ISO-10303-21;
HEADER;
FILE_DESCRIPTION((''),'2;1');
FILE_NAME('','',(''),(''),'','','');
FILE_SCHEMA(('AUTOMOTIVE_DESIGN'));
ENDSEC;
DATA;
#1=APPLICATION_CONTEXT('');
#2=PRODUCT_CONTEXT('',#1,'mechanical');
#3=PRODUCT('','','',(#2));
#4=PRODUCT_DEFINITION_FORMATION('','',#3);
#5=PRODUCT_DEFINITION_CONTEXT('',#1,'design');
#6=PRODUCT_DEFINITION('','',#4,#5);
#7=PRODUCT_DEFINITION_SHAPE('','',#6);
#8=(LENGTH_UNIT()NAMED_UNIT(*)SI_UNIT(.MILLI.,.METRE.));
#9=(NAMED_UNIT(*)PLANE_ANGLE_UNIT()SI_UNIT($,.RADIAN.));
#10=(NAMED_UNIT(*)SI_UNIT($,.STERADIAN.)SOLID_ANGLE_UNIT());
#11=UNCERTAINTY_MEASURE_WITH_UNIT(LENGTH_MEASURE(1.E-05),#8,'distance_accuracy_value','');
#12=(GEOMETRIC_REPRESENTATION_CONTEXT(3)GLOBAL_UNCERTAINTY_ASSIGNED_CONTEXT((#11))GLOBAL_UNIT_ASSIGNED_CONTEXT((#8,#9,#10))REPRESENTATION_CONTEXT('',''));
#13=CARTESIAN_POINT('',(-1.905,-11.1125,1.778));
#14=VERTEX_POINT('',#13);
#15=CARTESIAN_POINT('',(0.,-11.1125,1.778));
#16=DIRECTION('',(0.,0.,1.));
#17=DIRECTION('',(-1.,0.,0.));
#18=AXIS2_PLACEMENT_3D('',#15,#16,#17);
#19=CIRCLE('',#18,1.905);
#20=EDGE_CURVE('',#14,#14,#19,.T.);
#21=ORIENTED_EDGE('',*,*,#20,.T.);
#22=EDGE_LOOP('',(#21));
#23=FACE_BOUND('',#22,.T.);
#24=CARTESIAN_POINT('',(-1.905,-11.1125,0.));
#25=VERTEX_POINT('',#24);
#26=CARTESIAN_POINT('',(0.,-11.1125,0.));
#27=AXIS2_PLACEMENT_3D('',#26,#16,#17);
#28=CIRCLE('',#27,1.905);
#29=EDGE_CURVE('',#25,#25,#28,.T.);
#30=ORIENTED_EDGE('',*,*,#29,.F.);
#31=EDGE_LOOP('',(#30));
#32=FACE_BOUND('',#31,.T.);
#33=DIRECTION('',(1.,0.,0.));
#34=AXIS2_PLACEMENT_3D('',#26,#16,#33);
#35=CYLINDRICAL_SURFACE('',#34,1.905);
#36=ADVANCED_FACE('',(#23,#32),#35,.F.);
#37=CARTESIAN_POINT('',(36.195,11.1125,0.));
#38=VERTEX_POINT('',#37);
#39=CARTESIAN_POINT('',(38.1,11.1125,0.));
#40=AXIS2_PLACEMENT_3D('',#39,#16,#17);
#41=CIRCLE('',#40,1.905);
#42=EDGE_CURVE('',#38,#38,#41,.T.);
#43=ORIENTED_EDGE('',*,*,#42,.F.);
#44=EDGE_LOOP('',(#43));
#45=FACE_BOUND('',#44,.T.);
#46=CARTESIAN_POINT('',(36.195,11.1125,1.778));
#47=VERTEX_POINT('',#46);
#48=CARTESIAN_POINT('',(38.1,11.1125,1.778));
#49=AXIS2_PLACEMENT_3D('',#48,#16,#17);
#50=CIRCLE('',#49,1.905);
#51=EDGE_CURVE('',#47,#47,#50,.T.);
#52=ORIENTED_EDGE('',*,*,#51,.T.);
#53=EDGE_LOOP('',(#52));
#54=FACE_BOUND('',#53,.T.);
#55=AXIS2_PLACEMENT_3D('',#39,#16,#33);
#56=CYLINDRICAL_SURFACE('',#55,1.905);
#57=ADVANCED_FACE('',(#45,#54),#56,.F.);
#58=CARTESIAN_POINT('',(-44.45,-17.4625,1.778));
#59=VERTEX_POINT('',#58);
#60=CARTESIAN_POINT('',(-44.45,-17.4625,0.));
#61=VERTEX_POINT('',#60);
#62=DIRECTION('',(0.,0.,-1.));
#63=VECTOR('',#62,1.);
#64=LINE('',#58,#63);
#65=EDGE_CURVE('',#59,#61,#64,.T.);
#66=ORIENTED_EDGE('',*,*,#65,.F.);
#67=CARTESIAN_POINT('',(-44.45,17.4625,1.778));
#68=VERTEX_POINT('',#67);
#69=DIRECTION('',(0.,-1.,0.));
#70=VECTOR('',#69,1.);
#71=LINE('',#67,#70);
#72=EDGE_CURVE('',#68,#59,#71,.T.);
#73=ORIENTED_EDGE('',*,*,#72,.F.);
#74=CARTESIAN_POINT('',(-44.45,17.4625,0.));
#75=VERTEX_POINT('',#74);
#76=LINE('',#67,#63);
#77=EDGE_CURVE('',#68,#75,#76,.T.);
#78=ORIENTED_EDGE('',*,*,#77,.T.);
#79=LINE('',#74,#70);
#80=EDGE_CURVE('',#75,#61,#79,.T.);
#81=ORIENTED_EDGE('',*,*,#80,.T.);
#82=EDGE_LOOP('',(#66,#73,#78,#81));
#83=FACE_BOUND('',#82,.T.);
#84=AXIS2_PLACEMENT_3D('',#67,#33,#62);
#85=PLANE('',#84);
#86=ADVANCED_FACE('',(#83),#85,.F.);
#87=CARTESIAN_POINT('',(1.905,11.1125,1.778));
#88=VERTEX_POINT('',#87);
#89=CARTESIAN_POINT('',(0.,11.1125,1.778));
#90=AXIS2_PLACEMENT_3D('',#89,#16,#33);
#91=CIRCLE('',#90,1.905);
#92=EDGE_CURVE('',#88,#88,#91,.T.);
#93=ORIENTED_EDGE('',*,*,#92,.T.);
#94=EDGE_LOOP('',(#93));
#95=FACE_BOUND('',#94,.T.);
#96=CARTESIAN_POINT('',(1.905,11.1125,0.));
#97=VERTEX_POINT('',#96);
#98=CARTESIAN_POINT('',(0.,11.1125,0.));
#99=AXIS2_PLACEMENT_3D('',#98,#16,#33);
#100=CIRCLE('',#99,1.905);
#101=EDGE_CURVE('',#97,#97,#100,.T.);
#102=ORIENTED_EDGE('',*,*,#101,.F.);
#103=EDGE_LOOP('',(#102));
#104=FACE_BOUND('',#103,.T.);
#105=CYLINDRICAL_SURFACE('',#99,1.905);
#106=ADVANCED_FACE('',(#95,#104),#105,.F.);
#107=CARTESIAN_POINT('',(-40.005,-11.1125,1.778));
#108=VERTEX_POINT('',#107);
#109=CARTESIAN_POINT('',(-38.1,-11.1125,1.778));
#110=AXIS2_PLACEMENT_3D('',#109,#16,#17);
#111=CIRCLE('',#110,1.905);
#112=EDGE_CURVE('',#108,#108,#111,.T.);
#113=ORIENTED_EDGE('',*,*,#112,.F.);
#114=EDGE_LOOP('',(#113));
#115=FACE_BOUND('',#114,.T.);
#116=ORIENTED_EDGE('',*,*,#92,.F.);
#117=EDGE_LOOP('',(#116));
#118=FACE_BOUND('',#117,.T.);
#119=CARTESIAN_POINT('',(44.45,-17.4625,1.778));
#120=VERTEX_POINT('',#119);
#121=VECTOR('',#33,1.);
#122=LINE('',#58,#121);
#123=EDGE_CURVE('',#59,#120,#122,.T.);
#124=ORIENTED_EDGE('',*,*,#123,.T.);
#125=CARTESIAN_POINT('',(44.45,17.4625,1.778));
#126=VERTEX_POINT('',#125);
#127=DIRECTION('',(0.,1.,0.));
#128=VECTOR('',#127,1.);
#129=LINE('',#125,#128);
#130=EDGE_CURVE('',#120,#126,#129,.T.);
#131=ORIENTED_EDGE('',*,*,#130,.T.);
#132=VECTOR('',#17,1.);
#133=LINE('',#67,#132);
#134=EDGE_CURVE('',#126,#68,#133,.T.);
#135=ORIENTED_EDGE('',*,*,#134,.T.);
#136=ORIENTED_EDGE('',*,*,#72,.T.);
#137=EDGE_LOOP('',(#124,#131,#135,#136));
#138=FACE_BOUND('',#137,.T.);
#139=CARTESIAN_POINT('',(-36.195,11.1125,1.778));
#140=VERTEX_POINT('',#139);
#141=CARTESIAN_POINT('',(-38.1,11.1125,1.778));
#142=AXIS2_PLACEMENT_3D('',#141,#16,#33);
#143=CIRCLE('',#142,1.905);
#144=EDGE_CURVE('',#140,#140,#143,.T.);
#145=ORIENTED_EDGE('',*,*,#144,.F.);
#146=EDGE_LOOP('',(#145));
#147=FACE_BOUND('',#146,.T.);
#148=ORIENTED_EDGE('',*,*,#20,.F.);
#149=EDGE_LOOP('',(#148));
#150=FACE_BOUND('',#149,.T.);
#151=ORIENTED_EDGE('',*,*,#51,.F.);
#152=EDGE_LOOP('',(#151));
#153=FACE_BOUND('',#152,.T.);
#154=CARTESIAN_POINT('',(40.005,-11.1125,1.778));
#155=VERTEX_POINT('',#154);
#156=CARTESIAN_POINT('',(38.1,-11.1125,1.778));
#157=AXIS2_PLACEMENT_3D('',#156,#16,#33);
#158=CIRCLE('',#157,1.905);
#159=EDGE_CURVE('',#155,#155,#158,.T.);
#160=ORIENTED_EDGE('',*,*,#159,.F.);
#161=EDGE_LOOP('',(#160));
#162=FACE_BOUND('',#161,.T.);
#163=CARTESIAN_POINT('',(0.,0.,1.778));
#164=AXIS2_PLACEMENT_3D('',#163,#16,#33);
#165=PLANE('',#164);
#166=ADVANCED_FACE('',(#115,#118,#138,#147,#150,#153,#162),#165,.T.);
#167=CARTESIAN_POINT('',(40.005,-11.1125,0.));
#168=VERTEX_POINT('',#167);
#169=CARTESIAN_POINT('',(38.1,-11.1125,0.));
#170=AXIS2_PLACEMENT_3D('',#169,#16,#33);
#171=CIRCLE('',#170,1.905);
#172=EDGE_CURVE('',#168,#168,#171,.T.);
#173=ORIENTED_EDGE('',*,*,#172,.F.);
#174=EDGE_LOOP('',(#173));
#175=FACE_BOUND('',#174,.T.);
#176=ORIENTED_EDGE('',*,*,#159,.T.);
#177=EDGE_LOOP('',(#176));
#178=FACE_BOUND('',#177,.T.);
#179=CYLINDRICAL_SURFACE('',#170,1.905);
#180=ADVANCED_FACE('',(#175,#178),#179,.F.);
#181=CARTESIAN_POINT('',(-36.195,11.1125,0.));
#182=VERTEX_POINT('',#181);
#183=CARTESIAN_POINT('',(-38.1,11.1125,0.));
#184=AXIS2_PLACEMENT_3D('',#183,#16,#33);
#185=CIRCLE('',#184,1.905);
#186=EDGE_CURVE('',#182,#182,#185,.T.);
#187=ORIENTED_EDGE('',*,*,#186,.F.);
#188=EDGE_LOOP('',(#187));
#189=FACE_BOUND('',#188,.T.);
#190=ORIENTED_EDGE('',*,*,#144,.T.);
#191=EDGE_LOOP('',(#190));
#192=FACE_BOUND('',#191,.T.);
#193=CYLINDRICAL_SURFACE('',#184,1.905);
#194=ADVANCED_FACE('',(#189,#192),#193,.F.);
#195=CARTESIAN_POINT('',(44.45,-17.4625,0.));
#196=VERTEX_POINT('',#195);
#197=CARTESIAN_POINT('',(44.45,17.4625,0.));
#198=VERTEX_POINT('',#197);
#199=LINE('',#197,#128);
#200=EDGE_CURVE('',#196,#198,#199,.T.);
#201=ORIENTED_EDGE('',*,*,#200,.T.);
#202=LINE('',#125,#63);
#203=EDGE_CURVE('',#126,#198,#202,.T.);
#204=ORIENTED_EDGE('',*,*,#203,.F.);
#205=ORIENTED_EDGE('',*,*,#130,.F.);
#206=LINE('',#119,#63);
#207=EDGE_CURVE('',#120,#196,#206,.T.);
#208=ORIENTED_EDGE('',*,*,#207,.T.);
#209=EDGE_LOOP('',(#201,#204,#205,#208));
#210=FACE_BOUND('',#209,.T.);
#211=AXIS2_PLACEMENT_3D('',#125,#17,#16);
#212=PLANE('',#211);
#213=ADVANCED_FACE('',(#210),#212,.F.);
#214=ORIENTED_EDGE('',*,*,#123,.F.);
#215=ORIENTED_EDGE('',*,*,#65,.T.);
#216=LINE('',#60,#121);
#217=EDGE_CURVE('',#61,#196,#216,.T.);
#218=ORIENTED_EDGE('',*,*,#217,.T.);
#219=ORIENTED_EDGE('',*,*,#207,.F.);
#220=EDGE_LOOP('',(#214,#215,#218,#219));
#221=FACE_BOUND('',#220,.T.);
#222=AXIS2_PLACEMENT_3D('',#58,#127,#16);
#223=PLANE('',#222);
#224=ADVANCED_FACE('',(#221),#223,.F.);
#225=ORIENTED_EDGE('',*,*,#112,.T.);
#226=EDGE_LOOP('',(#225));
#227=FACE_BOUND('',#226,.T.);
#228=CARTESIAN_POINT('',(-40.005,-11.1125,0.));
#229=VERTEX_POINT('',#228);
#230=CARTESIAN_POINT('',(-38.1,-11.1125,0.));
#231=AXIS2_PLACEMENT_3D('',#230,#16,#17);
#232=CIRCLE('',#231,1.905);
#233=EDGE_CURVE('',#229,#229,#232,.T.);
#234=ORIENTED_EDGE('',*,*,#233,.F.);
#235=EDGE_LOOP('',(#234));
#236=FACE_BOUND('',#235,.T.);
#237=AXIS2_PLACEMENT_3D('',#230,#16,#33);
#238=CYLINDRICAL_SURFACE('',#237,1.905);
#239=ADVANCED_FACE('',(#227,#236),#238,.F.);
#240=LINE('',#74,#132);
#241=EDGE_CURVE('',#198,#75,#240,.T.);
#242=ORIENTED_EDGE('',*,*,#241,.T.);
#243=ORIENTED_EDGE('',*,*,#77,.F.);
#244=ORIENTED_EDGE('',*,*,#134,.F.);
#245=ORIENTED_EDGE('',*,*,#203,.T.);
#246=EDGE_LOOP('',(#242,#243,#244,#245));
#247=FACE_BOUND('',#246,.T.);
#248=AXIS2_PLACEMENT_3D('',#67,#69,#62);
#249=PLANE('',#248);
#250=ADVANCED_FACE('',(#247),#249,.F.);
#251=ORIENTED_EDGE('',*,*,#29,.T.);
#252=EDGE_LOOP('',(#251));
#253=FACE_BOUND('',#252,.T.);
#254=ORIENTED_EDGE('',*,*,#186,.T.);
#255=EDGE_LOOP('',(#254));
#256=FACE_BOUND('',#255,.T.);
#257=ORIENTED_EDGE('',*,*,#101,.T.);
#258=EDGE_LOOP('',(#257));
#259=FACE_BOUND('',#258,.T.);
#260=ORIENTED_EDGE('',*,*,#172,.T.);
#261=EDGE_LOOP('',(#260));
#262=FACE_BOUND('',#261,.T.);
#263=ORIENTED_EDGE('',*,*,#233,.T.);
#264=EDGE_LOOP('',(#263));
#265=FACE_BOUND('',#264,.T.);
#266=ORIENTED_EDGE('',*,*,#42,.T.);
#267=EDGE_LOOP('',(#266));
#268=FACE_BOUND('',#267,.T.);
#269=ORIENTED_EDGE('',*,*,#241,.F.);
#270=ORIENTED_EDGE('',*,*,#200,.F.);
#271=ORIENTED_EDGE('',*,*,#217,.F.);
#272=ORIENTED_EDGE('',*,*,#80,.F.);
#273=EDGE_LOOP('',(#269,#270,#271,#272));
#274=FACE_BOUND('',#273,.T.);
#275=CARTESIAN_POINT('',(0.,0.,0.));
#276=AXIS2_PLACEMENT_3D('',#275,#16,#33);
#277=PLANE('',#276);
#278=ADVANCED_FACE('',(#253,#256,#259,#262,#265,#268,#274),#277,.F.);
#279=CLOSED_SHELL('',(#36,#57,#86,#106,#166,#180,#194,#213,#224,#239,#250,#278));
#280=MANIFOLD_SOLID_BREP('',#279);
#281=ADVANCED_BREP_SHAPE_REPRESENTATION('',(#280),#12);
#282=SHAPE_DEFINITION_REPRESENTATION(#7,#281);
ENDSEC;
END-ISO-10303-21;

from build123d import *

# Parameters (mm, degrees)
SKETCH1_W           = 88.9
SKETCH1_H           = 34.925
BOSS_EXTRUDE1_DEPTH = 1.778
SKETCH2_R           = 1.905
CUT_EXTRUDE1_DEPTH  = 2.778


with BuildPart() as part:
    # Sketch1 → Boss-Extrude1 (new body)
    with BuildSketch(Plane.XY):
        Rectangle(SKETCH1_W, SKETCH1_H)
    extrude(amount=BOSS_EXTRUDE1_DEPTH)

    # Sketch2 → Cut-Extrude1 (cut, through all)
    with BuildSketch(Plane.XY.offset(1.778)):
        with Locations((0, 11.1125)):
            Circle(SKETCH2_R)
        with Locations((-38.1, 11.1125)):
            Circle(SKETCH2_R)
        with Locations((-38.1, -11.1125)):
            Circle(SKETCH2_R)
        with Locations((0, -11.1125)):
            Circle(SKETCH2_R)
        with Locations((38.1, -11.1125)):
            Circle(SKETCH2_R)
        with Locations((38.1, 11.1125)):
            Circle(SKETCH2_R)
    extrude(amount=-CUT_EXTRUDE1_DEPTH, mode=Mode.SUBTRACT)


solid = part.part
